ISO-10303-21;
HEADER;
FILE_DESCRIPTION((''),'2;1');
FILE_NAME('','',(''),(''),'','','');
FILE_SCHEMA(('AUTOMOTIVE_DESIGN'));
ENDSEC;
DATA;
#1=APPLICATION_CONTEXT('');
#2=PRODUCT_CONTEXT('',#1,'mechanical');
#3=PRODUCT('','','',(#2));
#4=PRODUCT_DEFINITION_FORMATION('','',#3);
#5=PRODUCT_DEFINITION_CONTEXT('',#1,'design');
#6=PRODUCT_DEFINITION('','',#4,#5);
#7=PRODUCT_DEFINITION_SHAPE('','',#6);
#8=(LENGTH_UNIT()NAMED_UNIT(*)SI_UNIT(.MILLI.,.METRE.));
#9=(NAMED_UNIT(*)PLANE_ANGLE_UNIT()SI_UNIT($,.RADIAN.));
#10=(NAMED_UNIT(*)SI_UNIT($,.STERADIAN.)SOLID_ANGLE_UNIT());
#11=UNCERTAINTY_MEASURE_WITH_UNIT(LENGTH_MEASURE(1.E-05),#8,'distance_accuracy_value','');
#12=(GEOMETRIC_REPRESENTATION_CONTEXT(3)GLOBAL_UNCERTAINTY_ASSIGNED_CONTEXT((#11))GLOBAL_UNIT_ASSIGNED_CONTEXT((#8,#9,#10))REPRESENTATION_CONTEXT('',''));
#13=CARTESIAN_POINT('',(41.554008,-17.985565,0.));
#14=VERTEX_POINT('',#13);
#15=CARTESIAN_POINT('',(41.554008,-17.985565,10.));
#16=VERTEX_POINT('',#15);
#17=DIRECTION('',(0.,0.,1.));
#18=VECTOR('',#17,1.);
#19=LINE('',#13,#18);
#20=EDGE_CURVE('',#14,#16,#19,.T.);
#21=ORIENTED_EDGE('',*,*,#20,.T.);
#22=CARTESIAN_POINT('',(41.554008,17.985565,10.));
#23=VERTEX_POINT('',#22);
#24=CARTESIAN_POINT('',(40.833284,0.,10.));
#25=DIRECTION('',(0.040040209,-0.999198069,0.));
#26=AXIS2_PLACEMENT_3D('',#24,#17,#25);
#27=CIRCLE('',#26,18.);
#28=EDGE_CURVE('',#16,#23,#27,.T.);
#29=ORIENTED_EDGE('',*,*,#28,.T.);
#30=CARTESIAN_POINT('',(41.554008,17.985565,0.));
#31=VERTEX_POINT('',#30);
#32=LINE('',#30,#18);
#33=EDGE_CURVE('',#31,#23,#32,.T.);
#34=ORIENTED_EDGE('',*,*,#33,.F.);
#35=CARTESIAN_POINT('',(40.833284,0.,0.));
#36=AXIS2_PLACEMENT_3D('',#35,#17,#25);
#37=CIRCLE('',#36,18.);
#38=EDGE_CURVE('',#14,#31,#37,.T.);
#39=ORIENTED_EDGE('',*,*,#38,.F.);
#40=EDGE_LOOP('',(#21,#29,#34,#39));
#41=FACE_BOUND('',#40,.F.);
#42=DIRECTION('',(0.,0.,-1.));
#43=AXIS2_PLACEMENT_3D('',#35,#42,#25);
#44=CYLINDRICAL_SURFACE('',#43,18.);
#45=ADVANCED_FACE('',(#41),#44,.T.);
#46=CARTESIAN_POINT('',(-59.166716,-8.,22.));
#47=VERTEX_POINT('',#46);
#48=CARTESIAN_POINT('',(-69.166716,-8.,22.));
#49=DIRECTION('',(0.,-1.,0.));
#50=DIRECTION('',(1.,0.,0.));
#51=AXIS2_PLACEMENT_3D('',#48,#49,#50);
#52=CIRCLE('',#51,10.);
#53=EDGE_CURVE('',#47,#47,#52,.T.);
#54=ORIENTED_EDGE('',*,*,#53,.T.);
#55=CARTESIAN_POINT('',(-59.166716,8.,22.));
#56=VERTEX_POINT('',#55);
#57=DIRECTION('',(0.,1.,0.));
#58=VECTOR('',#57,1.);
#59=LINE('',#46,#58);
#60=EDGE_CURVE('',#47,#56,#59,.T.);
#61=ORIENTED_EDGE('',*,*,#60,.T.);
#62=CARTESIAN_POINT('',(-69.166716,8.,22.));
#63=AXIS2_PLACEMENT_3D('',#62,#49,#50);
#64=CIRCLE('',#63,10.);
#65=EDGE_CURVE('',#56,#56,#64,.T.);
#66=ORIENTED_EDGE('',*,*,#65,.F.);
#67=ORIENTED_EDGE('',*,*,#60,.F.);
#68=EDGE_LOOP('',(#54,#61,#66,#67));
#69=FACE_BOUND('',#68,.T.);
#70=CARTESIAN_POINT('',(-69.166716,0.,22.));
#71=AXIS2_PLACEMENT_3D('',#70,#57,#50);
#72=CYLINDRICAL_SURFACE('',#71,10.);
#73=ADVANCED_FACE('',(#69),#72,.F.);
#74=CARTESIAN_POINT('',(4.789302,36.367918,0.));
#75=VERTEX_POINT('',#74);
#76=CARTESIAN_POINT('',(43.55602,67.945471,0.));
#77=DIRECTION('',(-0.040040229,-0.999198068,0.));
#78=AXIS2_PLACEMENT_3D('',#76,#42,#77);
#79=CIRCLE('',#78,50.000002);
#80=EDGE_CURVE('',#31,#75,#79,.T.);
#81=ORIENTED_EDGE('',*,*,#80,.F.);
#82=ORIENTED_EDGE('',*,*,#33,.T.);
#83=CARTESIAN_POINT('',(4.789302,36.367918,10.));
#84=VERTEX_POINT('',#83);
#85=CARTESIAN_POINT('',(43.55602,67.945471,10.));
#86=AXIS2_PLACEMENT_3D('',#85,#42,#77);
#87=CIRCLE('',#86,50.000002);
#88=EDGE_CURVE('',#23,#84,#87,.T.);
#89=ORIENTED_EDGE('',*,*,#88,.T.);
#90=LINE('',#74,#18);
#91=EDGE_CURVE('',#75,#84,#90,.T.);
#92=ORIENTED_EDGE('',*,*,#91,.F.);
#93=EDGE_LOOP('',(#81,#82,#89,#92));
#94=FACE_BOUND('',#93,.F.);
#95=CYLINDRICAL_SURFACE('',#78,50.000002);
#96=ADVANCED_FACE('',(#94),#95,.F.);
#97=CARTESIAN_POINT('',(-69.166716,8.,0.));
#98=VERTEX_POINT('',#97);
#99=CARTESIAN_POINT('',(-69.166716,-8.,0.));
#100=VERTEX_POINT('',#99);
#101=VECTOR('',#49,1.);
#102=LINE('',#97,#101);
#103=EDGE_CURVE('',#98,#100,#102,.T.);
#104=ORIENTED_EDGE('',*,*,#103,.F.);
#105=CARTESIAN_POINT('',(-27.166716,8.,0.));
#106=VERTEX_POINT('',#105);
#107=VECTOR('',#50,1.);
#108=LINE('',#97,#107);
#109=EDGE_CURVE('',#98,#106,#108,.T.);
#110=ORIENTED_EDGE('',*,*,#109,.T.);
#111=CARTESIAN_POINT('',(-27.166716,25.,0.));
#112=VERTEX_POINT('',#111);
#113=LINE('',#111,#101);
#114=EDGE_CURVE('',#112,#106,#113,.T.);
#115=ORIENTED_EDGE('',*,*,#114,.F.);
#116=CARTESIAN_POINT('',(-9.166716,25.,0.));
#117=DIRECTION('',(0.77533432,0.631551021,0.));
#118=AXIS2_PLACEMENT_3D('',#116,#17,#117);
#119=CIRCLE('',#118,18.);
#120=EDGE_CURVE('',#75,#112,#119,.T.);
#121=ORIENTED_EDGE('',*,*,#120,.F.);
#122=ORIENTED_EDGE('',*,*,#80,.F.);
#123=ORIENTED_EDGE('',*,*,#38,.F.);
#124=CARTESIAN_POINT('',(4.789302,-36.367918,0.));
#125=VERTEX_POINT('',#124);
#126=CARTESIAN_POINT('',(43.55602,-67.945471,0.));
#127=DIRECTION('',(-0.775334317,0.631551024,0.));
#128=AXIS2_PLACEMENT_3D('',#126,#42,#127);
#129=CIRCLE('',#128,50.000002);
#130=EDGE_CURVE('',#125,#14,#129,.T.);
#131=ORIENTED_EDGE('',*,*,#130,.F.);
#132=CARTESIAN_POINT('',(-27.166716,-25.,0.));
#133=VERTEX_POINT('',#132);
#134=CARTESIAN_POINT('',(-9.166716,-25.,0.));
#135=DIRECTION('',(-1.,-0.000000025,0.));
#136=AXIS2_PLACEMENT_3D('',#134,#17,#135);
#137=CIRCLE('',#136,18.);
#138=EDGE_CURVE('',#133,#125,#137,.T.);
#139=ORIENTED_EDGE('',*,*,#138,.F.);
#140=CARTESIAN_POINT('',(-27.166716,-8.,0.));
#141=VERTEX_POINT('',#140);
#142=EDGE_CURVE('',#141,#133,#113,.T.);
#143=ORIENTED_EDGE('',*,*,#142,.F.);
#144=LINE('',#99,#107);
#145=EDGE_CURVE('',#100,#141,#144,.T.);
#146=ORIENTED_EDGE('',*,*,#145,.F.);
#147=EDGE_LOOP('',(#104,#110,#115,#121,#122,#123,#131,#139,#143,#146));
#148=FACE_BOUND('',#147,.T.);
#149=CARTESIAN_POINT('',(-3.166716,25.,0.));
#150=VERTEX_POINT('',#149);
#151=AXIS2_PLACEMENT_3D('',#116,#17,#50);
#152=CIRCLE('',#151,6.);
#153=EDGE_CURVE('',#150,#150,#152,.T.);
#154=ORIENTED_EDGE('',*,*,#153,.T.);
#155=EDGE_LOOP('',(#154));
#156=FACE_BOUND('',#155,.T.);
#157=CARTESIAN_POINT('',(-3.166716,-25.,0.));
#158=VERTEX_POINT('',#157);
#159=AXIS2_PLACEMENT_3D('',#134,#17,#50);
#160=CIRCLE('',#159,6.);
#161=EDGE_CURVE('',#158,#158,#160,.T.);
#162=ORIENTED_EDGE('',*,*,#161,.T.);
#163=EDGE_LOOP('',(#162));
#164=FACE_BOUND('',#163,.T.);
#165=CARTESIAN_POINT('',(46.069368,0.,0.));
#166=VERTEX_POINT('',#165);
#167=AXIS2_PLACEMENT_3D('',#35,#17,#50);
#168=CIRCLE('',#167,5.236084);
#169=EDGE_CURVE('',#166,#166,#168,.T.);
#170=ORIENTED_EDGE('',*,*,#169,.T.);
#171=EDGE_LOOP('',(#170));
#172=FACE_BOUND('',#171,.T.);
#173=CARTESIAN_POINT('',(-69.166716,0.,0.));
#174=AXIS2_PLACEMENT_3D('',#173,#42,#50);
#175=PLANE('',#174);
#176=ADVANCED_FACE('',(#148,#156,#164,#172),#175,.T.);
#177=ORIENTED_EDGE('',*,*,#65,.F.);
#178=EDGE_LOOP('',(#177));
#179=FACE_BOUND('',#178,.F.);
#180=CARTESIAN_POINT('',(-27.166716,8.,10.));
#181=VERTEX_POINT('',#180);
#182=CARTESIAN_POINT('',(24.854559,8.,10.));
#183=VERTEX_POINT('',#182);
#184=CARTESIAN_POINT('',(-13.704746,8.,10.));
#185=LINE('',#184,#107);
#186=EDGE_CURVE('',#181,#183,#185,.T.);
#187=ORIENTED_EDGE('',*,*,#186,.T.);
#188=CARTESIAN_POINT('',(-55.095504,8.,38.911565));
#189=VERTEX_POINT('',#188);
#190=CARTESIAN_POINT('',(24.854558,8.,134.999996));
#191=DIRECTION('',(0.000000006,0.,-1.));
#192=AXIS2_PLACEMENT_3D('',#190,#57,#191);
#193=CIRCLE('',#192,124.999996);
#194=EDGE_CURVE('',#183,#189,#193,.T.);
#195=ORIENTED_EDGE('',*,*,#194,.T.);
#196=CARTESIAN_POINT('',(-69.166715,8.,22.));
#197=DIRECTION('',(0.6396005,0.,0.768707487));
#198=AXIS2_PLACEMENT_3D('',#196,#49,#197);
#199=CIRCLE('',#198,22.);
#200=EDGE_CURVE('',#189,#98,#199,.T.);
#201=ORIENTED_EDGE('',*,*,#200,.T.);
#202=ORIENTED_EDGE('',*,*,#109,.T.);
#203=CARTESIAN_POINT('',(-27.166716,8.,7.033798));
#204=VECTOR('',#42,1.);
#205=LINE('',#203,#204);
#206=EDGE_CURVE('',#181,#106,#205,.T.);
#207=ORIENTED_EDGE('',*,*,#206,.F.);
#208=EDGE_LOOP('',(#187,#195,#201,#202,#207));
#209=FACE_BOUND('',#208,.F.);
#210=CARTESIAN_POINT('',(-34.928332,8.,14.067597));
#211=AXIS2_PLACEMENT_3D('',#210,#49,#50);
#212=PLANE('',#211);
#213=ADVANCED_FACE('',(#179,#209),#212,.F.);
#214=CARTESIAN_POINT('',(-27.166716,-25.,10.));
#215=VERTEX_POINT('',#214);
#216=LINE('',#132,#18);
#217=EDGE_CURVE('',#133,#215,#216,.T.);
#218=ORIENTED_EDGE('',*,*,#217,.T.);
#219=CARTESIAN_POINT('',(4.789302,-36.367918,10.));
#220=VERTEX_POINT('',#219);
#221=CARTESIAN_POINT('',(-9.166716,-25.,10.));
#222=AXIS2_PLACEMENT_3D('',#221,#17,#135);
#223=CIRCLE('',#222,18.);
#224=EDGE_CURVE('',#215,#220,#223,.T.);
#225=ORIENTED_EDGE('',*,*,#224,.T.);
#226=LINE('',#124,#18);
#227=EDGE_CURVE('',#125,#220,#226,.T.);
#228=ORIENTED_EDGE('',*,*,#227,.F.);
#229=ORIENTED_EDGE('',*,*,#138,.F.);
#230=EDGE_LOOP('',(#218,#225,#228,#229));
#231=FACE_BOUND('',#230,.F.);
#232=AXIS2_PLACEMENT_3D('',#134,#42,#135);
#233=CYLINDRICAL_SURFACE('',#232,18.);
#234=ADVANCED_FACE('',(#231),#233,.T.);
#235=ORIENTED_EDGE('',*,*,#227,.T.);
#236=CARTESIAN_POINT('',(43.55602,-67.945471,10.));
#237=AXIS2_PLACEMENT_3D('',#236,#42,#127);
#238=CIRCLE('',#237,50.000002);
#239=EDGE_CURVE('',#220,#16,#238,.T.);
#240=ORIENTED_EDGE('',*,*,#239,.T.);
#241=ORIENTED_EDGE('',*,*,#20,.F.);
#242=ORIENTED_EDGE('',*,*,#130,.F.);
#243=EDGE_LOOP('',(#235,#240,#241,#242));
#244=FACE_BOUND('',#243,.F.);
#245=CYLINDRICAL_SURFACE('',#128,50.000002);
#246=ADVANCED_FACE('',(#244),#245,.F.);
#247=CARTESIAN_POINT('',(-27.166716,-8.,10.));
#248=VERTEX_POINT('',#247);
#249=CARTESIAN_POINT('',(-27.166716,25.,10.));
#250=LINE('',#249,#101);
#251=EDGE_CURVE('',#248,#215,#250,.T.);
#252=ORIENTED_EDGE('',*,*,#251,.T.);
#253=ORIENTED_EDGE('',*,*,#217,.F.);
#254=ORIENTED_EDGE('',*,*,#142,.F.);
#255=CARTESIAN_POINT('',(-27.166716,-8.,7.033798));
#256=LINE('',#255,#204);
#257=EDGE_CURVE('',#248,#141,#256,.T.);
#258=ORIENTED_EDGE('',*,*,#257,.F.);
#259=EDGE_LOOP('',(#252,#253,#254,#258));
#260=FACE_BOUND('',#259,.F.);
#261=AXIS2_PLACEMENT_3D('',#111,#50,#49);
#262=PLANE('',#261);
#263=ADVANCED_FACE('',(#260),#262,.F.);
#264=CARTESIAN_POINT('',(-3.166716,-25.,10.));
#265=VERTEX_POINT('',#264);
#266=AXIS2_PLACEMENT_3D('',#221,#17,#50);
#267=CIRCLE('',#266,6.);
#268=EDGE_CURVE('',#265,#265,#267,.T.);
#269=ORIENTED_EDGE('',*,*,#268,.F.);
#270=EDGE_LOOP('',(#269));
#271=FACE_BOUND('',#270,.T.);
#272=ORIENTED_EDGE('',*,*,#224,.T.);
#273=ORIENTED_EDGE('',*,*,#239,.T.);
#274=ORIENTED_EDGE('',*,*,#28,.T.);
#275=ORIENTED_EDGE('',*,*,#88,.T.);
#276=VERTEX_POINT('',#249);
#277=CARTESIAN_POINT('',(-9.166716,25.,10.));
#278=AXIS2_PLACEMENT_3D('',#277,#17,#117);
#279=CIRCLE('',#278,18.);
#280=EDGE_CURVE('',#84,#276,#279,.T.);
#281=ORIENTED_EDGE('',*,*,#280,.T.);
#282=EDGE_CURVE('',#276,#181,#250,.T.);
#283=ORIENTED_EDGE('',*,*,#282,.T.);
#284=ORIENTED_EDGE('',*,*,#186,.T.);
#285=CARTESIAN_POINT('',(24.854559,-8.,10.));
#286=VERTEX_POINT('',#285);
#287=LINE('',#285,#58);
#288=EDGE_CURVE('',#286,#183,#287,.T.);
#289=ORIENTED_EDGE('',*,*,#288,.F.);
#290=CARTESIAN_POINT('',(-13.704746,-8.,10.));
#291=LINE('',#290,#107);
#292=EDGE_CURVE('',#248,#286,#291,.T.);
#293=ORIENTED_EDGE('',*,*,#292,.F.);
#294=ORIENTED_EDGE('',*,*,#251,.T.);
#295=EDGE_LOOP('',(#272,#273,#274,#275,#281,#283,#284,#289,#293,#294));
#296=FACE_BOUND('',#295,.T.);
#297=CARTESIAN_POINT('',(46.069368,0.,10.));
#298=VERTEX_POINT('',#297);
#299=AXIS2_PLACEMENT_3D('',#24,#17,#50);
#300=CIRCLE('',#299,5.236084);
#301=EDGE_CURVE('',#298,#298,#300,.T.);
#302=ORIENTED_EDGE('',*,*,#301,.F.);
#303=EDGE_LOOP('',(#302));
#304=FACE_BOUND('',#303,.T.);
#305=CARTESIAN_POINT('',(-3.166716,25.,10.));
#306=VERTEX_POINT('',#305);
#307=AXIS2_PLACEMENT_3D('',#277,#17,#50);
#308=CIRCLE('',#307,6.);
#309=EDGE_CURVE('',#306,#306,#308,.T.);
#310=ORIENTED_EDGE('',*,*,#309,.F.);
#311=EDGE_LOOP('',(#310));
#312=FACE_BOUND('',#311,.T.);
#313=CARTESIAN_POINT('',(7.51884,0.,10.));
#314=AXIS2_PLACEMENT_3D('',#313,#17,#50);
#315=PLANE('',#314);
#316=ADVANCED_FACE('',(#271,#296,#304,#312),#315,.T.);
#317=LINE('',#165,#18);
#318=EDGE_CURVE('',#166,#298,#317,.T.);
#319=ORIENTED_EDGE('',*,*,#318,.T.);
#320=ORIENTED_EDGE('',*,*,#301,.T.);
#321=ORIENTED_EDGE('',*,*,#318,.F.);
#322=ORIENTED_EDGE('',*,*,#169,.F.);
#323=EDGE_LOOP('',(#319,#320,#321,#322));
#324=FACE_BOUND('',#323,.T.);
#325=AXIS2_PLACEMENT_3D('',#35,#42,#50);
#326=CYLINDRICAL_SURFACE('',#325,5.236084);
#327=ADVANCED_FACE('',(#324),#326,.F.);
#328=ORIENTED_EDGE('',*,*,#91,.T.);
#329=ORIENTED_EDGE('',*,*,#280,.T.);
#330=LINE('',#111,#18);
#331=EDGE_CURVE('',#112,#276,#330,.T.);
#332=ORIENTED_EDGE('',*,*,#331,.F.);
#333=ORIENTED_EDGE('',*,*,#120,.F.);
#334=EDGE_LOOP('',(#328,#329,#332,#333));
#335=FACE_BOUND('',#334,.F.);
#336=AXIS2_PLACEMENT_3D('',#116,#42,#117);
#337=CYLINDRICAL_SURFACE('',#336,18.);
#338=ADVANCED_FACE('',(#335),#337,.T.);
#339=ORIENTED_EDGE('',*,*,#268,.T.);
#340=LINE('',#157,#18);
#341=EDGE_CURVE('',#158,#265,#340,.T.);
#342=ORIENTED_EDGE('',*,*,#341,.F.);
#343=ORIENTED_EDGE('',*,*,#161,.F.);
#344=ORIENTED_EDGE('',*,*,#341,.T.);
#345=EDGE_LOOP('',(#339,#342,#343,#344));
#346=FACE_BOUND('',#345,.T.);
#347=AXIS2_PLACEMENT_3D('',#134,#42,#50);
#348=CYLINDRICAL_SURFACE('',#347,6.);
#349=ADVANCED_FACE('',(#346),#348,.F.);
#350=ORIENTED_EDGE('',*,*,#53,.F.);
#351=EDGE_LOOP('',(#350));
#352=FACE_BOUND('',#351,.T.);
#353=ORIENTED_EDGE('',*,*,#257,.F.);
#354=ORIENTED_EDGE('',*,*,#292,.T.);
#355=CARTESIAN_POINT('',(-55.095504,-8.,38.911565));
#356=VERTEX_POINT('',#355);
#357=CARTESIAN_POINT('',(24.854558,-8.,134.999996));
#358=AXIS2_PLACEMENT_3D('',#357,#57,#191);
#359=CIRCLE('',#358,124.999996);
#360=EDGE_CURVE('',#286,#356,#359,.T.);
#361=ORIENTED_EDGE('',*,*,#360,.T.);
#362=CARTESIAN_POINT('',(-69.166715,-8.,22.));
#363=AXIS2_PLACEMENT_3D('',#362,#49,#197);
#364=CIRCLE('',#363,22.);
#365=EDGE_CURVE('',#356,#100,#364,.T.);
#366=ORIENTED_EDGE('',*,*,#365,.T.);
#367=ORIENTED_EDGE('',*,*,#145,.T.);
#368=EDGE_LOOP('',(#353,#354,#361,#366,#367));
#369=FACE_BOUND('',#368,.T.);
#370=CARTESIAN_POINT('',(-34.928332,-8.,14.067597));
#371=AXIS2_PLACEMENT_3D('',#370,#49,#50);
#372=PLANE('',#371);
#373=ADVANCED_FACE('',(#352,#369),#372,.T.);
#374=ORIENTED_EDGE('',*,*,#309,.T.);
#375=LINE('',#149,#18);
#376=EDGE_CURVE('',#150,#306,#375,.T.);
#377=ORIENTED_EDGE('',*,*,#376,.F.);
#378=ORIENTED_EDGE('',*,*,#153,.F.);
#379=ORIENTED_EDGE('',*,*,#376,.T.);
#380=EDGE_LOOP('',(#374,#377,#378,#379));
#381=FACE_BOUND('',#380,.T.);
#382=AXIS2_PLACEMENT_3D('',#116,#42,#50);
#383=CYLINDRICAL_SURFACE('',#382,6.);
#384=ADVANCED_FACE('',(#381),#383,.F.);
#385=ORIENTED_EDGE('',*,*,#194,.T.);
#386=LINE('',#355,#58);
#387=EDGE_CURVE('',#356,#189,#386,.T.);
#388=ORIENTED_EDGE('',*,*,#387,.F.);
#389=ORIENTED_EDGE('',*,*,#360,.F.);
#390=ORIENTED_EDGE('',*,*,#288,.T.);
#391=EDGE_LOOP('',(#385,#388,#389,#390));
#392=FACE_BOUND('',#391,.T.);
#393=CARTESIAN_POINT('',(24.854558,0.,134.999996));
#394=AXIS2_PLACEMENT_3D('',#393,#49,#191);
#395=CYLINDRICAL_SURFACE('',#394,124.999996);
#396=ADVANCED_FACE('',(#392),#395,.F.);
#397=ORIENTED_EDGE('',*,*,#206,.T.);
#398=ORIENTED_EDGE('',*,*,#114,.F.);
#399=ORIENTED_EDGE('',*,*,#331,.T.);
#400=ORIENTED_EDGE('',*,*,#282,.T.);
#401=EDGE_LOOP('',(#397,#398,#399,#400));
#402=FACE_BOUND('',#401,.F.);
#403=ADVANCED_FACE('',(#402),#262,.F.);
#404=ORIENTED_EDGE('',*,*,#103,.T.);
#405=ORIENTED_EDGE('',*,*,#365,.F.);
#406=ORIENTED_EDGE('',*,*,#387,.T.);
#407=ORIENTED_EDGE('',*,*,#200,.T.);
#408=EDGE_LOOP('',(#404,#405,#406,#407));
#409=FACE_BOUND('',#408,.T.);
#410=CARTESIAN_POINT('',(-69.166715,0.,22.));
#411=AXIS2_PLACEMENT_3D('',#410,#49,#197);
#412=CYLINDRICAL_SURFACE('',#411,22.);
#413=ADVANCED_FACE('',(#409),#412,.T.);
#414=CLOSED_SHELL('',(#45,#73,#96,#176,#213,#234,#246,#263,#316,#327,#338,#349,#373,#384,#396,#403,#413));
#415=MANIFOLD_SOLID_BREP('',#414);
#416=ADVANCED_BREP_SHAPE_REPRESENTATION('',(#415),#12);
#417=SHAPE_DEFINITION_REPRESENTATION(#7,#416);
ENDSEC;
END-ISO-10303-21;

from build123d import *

# Parameters (mm, degrees)
F0_R     = 6
F0_R_2   = 5.236084
F1_DEPTH = 10
F2_R     = 10
F3_DEPTH = 8


with BuildPart() as f1:
    # F0 (on Top) → F1 (new body)
    with BuildSketch(Plane.XY):
        with BuildLine():
            ThreePointArc((4.789302, -36.367918), (21.195339, -23.224109), (41.554008, -17.985565))
            ThreePointArc((41.554008, -17.985565), (58.833284, 0), (41.554008, 17.985565))
            ThreePointArc((41.554008, 17.985565), (21.195339, 23.224109), (4.789302, 36.367918))
            ThreePointArc((4.789302, 36.367918), (-15.199612, 41.958896), (-27.166716, 25))
            Line((-27.166716, 25), (-27.166716, -25))
            ThreePointArc((-27.166716, -25), (-15.199612, -41.958896), (4.789302, -36.367918))
        make_face()
        with Locations((-9.166716, -25)):
            Circle(F0_R, mode=Mode.SUBTRACT)
        with Locations((-9.166716, 25)):
            Circle(F0_R, mode=Mode.SUBTRACT)
        with Locations((40.833284, 0)):
            Circle(F0_R_2, mode=Mode.SUBTRACT)
    extrude(amount=F1_DEPTH)

    # F2 (on Front) → F3 (join, symmetric)
    with BuildSketch(Plane.XZ):
        with BuildLine():
            ThreePointArc((-55.095504, 38.911565), (-89.855534, 29.481496), (-69.166716, 0))
            Line((-69.166716, 0), (-27.166716, 0))
            Line((-27.166716, 0), (0, 0))
            Line((0, 0), (24.854559, 0))
            Line((24.854559, 0), (24.854559, 10))
            ThreePointArc((24.854559, 10), (-17.653944, 17.449895), (-55.095504, 38.911565))
        make_face()
        with Locations((-69.166716, 22)):
            Circle(F2_R, mode=Mode.SUBTRACT)
    extrude(amount=F3_DEPTH, both=True)


solid = f1.part
